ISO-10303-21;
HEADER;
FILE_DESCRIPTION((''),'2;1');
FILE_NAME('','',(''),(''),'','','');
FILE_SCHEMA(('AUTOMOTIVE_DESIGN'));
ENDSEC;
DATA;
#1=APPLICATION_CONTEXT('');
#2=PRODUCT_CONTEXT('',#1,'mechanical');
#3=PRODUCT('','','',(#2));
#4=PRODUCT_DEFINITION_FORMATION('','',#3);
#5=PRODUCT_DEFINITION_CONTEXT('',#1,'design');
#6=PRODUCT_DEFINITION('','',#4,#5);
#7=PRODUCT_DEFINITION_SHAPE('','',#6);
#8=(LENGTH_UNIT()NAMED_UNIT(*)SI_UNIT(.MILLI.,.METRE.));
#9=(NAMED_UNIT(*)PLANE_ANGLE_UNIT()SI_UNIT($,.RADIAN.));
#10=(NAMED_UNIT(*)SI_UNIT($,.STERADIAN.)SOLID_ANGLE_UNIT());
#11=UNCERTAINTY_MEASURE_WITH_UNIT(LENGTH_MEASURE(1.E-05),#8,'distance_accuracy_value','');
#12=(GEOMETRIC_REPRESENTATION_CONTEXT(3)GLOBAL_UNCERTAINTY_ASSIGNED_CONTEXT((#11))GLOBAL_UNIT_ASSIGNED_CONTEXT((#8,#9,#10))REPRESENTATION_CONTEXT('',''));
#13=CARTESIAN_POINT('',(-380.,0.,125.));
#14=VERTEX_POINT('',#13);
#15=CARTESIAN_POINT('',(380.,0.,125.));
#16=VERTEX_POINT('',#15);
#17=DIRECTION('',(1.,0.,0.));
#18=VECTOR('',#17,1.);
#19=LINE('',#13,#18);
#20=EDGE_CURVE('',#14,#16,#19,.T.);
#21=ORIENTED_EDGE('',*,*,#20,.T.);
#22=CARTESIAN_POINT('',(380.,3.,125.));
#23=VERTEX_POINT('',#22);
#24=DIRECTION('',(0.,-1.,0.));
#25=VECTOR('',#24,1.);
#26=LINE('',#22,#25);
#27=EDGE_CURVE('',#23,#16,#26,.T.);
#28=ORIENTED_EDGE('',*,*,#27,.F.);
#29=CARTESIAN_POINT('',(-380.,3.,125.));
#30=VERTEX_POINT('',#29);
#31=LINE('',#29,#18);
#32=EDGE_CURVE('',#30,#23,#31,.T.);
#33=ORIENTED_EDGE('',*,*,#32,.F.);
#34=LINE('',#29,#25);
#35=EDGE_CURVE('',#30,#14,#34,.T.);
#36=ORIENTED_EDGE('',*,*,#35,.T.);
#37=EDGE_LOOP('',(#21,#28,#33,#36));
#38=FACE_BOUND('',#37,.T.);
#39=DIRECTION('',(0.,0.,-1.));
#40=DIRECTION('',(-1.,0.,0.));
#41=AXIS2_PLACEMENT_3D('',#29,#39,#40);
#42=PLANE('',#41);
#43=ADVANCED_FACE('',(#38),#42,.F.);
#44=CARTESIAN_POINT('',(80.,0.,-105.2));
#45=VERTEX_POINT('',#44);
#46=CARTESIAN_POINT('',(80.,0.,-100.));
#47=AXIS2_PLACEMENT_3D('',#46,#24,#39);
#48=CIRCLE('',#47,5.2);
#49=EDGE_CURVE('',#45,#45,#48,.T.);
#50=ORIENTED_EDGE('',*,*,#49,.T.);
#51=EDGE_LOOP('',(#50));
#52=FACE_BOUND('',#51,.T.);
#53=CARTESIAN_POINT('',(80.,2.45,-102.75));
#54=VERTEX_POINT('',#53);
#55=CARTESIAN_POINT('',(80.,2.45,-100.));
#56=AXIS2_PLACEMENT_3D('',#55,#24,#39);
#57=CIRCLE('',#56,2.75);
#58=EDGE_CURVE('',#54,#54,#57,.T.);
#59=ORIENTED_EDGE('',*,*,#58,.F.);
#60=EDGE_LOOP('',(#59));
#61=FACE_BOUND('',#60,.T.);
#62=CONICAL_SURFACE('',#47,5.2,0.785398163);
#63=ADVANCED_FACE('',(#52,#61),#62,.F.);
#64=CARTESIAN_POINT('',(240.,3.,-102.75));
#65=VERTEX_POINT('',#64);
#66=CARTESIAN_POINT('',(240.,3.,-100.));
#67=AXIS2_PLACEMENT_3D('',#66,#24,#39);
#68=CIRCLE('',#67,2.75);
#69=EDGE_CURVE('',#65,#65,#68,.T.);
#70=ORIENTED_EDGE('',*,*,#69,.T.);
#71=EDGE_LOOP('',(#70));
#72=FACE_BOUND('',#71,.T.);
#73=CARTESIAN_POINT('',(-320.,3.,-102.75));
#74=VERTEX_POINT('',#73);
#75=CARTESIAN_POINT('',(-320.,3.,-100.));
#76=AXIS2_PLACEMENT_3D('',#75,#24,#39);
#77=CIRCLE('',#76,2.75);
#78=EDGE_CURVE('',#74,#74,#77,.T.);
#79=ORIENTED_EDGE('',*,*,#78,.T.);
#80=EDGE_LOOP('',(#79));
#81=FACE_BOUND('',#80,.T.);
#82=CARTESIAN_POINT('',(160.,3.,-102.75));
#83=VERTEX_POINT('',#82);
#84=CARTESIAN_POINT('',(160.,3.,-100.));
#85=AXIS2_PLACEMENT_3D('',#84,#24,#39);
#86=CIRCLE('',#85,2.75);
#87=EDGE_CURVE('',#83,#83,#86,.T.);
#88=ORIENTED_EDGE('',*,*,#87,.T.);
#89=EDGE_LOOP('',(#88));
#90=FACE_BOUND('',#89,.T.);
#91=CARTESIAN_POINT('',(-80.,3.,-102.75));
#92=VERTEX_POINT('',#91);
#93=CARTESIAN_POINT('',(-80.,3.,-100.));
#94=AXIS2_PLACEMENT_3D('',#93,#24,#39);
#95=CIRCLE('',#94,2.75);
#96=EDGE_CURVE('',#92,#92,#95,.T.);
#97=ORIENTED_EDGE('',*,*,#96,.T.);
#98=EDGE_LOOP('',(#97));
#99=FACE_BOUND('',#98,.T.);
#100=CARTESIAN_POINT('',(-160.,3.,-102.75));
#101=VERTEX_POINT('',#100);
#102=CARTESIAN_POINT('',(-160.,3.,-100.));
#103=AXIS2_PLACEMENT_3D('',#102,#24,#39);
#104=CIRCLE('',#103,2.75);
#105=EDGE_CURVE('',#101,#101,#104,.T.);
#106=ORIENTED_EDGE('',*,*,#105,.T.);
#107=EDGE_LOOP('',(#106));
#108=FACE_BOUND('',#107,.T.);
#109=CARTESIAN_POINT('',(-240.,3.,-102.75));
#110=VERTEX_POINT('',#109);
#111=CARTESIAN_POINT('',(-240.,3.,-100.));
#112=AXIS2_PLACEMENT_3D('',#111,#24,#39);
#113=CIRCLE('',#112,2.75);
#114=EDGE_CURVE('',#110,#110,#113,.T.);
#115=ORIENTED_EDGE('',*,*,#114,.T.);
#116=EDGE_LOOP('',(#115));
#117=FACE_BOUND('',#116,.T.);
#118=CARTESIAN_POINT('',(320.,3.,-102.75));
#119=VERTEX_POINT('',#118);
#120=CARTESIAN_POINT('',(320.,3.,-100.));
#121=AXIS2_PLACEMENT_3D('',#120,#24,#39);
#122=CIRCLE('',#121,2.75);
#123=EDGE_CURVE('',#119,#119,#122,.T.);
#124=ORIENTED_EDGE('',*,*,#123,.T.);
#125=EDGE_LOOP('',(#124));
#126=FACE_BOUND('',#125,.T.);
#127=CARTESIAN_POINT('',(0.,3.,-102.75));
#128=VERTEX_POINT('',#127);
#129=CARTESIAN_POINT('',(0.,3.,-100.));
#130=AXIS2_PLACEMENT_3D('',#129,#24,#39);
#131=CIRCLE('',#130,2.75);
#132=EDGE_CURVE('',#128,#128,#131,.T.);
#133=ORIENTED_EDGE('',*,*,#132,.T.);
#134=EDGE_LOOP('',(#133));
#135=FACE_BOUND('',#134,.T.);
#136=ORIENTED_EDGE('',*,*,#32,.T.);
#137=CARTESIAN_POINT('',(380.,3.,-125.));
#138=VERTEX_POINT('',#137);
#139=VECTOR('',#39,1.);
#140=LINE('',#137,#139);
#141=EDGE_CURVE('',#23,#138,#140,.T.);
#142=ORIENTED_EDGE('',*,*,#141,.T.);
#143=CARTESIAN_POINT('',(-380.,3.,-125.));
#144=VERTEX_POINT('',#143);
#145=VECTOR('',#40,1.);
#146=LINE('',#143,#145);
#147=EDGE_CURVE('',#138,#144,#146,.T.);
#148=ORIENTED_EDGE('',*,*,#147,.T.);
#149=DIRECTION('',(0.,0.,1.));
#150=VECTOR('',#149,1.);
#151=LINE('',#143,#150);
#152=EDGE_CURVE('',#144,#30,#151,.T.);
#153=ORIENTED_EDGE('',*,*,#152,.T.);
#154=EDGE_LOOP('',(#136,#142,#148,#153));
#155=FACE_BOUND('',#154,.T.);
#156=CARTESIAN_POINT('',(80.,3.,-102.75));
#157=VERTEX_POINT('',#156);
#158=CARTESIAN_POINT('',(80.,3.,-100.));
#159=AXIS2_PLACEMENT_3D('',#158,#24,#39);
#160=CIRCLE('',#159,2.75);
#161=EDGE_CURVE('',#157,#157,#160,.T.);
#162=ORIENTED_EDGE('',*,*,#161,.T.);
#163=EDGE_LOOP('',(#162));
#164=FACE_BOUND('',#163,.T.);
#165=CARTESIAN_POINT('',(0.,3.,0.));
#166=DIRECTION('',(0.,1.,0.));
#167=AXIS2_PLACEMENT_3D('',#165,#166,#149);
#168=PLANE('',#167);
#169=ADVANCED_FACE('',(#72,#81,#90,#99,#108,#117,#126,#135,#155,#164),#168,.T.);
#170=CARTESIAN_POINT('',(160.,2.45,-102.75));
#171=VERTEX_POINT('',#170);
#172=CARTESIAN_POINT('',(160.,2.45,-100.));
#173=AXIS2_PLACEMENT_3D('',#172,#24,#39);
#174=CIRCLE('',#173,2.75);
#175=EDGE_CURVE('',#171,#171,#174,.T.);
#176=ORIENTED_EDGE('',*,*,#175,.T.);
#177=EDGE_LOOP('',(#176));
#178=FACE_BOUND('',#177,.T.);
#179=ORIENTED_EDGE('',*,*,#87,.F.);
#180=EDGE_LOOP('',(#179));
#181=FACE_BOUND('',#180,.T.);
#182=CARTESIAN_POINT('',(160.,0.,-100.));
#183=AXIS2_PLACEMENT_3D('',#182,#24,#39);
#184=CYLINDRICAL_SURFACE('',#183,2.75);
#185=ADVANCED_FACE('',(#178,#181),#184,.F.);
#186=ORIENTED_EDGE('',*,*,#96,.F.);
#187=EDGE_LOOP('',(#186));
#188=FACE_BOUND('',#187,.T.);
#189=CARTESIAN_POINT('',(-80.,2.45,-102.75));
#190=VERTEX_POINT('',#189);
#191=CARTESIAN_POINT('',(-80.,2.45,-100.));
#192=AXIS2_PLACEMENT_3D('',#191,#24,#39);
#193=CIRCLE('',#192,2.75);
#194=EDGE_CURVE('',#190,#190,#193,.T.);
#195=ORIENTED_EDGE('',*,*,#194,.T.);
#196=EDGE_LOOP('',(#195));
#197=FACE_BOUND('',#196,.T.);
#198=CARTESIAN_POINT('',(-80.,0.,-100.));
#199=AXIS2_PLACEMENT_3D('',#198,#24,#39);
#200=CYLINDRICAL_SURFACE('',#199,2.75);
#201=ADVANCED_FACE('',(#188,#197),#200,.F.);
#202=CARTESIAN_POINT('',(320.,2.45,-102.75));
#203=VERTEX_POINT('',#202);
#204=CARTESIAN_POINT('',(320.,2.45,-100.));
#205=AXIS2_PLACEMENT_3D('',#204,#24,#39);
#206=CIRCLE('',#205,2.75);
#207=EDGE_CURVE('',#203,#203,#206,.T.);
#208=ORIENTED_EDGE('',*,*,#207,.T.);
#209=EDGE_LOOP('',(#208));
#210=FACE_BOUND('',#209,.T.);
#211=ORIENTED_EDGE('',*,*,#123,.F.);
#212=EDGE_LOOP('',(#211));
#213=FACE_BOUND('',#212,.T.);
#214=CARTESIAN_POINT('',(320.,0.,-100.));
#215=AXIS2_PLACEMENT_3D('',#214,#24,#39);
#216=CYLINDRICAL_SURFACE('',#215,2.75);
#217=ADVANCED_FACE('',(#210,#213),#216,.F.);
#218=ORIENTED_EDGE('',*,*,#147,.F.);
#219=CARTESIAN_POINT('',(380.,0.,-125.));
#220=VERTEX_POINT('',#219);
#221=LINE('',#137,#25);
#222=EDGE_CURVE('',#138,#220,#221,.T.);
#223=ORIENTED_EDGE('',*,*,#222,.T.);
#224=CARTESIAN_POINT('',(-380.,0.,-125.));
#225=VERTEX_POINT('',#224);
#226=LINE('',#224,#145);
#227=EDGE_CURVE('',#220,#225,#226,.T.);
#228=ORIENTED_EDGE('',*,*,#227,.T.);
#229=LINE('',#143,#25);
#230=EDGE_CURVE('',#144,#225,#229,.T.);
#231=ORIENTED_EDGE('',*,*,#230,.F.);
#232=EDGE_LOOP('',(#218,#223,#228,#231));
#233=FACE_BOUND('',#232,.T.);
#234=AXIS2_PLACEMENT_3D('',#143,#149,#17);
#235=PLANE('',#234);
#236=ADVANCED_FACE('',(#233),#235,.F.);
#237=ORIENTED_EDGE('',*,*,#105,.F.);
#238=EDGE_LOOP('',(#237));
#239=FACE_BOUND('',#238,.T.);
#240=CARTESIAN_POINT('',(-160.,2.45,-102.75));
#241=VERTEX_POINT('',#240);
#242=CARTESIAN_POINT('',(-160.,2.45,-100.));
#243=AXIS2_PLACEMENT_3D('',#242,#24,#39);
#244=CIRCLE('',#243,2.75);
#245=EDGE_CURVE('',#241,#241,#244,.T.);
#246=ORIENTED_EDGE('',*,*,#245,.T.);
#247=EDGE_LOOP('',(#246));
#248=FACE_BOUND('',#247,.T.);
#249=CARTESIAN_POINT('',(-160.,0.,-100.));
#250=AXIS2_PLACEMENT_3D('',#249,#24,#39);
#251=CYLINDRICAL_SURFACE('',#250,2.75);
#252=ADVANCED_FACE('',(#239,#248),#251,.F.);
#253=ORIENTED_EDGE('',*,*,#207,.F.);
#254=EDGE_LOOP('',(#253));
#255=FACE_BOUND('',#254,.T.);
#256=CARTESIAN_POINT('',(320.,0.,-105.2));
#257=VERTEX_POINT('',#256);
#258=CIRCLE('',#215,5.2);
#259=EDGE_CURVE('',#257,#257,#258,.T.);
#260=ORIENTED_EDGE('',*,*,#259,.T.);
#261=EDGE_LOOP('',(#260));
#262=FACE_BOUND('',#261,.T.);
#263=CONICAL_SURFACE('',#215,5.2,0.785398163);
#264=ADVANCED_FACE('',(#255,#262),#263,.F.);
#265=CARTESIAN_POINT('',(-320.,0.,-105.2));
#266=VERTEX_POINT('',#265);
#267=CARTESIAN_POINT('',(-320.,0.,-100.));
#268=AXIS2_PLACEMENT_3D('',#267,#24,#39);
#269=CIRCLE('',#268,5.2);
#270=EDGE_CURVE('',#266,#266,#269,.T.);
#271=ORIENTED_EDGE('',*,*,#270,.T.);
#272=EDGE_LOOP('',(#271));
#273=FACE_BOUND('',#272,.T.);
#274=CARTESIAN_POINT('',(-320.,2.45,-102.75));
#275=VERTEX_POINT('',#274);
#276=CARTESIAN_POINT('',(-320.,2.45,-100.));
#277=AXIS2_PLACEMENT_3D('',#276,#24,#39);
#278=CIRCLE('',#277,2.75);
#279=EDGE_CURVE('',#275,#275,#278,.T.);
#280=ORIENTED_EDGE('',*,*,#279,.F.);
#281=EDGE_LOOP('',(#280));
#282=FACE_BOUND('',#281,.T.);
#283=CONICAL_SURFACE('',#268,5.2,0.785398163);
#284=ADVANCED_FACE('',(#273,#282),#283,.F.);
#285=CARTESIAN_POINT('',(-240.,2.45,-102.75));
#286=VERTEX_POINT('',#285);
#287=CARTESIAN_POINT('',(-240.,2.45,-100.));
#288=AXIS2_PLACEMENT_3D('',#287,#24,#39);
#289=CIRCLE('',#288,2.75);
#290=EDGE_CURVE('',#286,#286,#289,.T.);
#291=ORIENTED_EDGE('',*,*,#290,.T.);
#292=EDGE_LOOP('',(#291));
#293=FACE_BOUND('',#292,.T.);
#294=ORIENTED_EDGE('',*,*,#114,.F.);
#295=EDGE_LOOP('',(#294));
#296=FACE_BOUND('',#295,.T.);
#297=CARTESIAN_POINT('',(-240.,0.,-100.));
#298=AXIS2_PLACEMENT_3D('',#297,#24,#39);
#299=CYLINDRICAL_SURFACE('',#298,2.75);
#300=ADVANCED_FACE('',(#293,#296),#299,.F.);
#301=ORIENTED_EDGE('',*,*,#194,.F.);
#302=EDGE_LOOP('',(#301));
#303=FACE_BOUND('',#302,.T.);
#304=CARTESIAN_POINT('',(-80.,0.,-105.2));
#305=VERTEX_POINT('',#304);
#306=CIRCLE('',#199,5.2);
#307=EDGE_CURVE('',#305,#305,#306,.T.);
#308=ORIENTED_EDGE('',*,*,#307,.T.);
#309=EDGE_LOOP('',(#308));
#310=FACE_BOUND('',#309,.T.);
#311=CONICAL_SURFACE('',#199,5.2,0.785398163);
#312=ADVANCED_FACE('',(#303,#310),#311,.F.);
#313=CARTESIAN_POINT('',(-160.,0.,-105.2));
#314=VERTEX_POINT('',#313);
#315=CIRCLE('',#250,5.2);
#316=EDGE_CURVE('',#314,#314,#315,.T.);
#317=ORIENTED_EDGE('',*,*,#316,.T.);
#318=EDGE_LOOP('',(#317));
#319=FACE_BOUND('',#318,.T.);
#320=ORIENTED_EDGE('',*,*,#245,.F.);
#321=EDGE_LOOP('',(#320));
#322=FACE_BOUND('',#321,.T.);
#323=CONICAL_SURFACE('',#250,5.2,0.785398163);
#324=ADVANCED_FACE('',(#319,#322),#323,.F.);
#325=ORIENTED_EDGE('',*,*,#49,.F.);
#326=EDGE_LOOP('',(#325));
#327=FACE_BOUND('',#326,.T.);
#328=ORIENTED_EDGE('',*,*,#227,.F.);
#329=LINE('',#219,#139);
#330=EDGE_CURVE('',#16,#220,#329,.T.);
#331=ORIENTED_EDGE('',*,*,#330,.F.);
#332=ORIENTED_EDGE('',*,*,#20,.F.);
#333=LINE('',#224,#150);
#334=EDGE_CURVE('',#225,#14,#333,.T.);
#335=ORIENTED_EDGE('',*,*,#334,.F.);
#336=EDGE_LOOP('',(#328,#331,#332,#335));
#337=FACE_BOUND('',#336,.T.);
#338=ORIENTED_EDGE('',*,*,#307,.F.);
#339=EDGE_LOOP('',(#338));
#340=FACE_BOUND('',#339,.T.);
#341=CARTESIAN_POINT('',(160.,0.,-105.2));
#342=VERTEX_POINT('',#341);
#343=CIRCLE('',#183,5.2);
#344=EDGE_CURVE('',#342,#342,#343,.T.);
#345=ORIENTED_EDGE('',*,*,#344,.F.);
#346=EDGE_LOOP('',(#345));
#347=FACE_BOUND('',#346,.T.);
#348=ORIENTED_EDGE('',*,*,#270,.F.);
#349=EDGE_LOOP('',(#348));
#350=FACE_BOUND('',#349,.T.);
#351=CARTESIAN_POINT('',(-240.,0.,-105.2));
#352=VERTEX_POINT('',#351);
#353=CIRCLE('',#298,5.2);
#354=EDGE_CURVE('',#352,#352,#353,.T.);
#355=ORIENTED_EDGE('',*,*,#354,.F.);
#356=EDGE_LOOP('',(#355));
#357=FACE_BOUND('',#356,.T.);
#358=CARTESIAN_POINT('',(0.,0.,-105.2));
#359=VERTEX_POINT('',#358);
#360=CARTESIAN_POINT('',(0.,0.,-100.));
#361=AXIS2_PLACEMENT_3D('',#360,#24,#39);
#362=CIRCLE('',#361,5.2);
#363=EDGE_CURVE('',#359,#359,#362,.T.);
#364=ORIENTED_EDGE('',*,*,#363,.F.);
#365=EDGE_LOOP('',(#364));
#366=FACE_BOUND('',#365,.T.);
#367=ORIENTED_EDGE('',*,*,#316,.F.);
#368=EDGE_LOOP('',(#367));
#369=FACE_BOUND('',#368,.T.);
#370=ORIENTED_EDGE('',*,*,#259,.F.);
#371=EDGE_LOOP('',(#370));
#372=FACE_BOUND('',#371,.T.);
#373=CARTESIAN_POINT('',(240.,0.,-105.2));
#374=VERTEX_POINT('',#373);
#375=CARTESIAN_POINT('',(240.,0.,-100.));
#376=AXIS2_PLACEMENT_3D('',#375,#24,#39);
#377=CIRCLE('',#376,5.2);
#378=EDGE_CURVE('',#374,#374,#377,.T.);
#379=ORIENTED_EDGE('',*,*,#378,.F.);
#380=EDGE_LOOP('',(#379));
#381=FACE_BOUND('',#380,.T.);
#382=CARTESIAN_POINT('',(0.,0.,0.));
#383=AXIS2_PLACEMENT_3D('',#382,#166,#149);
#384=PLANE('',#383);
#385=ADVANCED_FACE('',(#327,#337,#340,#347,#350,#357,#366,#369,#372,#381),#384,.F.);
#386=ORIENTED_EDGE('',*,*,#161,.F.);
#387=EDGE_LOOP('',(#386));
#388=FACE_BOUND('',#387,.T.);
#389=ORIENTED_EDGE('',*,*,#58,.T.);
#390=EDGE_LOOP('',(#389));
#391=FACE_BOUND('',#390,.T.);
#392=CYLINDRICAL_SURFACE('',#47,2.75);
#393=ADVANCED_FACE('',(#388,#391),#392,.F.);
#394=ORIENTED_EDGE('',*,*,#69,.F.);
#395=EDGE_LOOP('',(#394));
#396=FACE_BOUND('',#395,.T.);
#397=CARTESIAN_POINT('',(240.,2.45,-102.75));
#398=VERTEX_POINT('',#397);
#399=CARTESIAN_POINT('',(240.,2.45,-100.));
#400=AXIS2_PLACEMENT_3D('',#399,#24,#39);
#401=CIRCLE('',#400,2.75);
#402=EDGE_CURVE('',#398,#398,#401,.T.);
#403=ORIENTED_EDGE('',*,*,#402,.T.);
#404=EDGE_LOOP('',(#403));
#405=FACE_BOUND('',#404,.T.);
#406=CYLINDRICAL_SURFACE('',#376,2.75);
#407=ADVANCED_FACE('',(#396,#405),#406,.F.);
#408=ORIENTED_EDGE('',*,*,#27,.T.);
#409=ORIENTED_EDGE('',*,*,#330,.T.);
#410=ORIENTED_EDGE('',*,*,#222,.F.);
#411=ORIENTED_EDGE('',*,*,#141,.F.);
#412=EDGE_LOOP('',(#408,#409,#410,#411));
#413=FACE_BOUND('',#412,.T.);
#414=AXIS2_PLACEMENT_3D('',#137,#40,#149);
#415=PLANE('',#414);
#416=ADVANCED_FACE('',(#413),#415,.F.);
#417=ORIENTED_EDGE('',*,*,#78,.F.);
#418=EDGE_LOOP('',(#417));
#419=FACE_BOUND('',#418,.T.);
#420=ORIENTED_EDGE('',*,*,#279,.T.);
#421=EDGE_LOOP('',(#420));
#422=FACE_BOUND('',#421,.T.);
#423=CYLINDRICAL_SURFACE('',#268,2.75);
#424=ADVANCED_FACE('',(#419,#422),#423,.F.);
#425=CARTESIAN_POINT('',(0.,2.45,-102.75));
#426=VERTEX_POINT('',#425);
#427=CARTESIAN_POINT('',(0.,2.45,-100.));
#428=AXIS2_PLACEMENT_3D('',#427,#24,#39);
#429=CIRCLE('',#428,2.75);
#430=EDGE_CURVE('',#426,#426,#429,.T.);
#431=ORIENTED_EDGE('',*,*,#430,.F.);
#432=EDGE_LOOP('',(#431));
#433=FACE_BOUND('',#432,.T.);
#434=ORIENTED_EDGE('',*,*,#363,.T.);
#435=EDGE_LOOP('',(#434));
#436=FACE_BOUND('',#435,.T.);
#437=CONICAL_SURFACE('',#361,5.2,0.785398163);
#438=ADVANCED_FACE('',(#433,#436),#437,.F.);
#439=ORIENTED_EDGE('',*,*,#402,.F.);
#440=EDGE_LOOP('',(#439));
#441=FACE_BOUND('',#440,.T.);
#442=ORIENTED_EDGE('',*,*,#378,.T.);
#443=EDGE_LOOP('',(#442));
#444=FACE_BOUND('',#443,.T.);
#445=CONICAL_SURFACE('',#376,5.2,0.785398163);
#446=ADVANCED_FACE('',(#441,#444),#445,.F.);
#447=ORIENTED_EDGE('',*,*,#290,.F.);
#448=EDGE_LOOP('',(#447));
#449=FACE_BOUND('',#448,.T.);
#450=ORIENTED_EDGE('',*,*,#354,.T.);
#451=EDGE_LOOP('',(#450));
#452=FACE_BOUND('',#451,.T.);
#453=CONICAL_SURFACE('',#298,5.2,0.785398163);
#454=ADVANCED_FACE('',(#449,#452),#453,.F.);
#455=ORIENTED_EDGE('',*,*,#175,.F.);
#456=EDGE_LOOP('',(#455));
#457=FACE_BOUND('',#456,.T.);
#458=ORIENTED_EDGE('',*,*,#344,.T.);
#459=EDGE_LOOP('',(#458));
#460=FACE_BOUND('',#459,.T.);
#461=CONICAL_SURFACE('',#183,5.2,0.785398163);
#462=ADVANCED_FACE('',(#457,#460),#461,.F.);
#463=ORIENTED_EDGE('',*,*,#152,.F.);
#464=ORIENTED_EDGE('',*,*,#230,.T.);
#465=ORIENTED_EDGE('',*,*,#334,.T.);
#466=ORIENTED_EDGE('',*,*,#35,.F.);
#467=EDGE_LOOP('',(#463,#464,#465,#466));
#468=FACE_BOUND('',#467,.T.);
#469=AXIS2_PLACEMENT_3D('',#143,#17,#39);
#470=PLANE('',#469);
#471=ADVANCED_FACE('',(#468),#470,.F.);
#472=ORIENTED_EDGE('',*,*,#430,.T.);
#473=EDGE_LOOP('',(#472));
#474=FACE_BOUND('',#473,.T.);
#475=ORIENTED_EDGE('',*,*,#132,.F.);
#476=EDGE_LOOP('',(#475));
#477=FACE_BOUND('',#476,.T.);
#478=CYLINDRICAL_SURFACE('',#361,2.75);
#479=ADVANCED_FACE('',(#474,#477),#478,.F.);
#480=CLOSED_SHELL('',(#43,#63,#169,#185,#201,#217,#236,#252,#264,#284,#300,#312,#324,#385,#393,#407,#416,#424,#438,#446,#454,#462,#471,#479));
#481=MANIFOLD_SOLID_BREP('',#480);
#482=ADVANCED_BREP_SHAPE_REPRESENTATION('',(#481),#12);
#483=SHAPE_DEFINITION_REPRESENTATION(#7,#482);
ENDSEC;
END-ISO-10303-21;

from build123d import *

# Parameters (mm, degrees)
SKETCH1_W                                    = 760
SKETCH1_H                                    = 250
BOSS_EXTRUDE1_DEPTH                          = 3
CSK_FOR_M5_COUNTERSUNK_FLAT_HEAD_SCR_2_COUNT = 2
CSK_FOR_M5_COUNTERSUNK_FLAT_HEAD_SCR_2_PITCH = 80
CSK_FOR_M5_COUNTERSUNK_FLAT_HEAD_SCR_3_COUNT = 2
CSK_FOR_M5_COUNTERSUNK_FLAT_HEAD_SCR_3_PITCH = 160
CSK_FOR_M5_COUNTERSUNK_FLAT_HEAD_SCR_4_COUNT = 2
CSK_FOR_M5_COUNTERSUNK_FLAT_HEAD_SCR_4_PITCH = 240
CSK_FOR_M5_COUNTERSUNK_FLAT_HEAD_SCR_5_COUNT = 2
CSK_FOR_M5_COUNTERSUNK_FLAT_HEAD_SCR_5_PITCH = 320
CSK_FOR_M5_COUNTERSUNK_FLAT_HEAD_SCR_6_COUNT = 2
CSK_FOR_M5_COUNTERSUNK_FLAT_HEAD_SCR_6_PITCH = 80
CSK_FOR_M5_COUNTERSUNK_FLAT_HEAD_SCR_7_COUNT = 2
CSK_FOR_M5_COUNTERSUNK_FLAT_HEAD_SCR_7_PITCH = 160
CSK_FOR_M5_COUNTERSUNK_FLAT_HEAD_SCR_8_COUNT = 2
CSK_FOR_M5_COUNTERSUNK_FLAT_HEAD_SCR_8_PITCH = 240
CSK_FOR_M5_COUNTERSUNK_FLAT_HEAD_SCR_9_COUNT = 2
CSK_FOR_M5_COUNTERSUNK_FLAT_HEAD_SCR_9_PITCH = 320


with BuildPart() as part:
    # Sketch1 → Boss-Extrude1 (new body)
    with BuildSketch(Plane(origin=(0, 0, 0), x_dir=(1, 0, 0), z_dir=(0, 1, 0))):
        Rectangle(SKETCH1_W, SKETCH1_H)
    extrude(amount=BOSS_EXTRUDE1_DEPTH)

    # Sketch3 → CSK for M5 Countersunk Flat Head Screw1 (revolve, cut)
    with BuildSketch(Plane(origin=(0, 0, -100), x_dir=(0, 0, -1), z_dir=(1, 0, 0))):
        Polygon((0, 0), (0, 3), (2.75, 3), (2.75, 2.45), (5.2, 0), align=None)
    csk_for_m5_countersunk_flat_head_screw1 = revolve(axis=Axis((0, -6.35, -100), (0, 1, 0)), mode=Mode.SUBTRACT)

    # CSK for M5 Countersunk Flat Head Scr 2: CSK for M5 Countersunk Flat Head Screw1 ×2
    with Locations(*[(-i * CSK_FOR_M5_COUNTERSUNK_FLAT_HEAD_SCR_2_PITCH, 0, 0) for i in range(1, CSK_FOR_M5_COUNTERSUNK_FLAT_HEAD_SCR_2_COUNT)]):
        add(csk_for_m5_countersunk_flat_head_screw1, mode=Mode.SUBTRACT)

    # CSK for M5 Countersunk Flat Head Scr 3: CSK for M5 Countersunk Flat Head Screw1 ×2
    with Locations(*[(-i * CSK_FOR_M5_COUNTERSUNK_FLAT_HEAD_SCR_3_PITCH, 0, 0) for i in range(1, CSK_FOR_M5_COUNTERSUNK_FLAT_HEAD_SCR_3_COUNT)]):
        add(csk_for_m5_countersunk_flat_head_screw1, mode=Mode.SUBTRACT)

    # CSK for M5 Countersunk Flat Head Scr 4: CSK for M5 Countersunk Flat Head Screw1 ×2
    with Locations(*[(-i * CSK_FOR_M5_COUNTERSUNK_FLAT_HEAD_SCR_4_PITCH, 0, 0) for i in range(1, CSK_FOR_M5_COUNTERSUNK_FLAT_HEAD_SCR_4_COUNT)]):
        add(csk_for_m5_countersunk_flat_head_screw1, mode=Mode.SUBTRACT)

    # CSK for M5 Countersunk Flat Head Scr 5: CSK for M5 Countersunk Flat Head Screw1 ×2
    with Locations(*[(-i * CSK_FOR_M5_COUNTERSUNK_FLAT_HEAD_SCR_5_PITCH, 0, 0) for i in range(1, CSK_FOR_M5_COUNTERSUNK_FLAT_HEAD_SCR_5_COUNT)]):
        add(csk_for_m5_countersunk_flat_head_screw1, mode=Mode.SUBTRACT)

    # CSK for M5 Countersunk Flat Head Scr 6: CSK for M5 Countersunk Flat Head Screw1 ×2
    with Locations(*[(i * CSK_FOR_M5_COUNTERSUNK_FLAT_HEAD_SCR_6_PITCH, 0, 0) for i in range(1, CSK_FOR_M5_COUNTERSUNK_FLAT_HEAD_SCR_6_COUNT)]):
        add(csk_for_m5_countersunk_flat_head_screw1, mode=Mode.SUBTRACT)

    # CSK for M5 Countersunk Flat Head Scr 7: CSK for M5 Countersunk Flat Head Screw1 ×2
    with Locations(*[(i * CSK_FOR_M5_COUNTERSUNK_FLAT_HEAD_SCR_7_PITCH, 0, 0) for i in range(1, CSK_FOR_M5_COUNTERSUNK_FLAT_HEAD_SCR_7_COUNT)]):
        add(csk_for_m5_countersunk_flat_head_screw1, mode=Mode.SUBTRACT)

    # CSK for M5 Countersunk Flat Head Scr 8: CSK for M5 Countersunk Flat Head Screw1 ×2
    with Locations(*[(i * CSK_FOR_M5_COUNTERSUNK_FLAT_HEAD_SCR_8_PITCH, 0, 0) for i in range(1, CSK_FOR_M5_COUNTERSUNK_FLAT_HEAD_SCR_8_COUNT)]):
        add(csk_for_m5_countersunk_flat_head_screw1, mode=Mode.SUBTRACT)

    # CSK for M5 Countersunk Flat Head Scr 9: CSK for M5 Countersunk Flat Head Screw1 ×2
    with Locations(*[(i * CSK_FOR_M5_COUNTERSUNK_FLAT_HEAD_SCR_9_PITCH, 0, 0) for i in range(1, CSK_FOR_M5_COUNTERSUNK_FLAT_HEAD_SCR_9_COUNT)]):
        add(csk_for_m5_countersunk_flat_head_screw1, mode=Mode.SUBTRACT)


solid = part.part
